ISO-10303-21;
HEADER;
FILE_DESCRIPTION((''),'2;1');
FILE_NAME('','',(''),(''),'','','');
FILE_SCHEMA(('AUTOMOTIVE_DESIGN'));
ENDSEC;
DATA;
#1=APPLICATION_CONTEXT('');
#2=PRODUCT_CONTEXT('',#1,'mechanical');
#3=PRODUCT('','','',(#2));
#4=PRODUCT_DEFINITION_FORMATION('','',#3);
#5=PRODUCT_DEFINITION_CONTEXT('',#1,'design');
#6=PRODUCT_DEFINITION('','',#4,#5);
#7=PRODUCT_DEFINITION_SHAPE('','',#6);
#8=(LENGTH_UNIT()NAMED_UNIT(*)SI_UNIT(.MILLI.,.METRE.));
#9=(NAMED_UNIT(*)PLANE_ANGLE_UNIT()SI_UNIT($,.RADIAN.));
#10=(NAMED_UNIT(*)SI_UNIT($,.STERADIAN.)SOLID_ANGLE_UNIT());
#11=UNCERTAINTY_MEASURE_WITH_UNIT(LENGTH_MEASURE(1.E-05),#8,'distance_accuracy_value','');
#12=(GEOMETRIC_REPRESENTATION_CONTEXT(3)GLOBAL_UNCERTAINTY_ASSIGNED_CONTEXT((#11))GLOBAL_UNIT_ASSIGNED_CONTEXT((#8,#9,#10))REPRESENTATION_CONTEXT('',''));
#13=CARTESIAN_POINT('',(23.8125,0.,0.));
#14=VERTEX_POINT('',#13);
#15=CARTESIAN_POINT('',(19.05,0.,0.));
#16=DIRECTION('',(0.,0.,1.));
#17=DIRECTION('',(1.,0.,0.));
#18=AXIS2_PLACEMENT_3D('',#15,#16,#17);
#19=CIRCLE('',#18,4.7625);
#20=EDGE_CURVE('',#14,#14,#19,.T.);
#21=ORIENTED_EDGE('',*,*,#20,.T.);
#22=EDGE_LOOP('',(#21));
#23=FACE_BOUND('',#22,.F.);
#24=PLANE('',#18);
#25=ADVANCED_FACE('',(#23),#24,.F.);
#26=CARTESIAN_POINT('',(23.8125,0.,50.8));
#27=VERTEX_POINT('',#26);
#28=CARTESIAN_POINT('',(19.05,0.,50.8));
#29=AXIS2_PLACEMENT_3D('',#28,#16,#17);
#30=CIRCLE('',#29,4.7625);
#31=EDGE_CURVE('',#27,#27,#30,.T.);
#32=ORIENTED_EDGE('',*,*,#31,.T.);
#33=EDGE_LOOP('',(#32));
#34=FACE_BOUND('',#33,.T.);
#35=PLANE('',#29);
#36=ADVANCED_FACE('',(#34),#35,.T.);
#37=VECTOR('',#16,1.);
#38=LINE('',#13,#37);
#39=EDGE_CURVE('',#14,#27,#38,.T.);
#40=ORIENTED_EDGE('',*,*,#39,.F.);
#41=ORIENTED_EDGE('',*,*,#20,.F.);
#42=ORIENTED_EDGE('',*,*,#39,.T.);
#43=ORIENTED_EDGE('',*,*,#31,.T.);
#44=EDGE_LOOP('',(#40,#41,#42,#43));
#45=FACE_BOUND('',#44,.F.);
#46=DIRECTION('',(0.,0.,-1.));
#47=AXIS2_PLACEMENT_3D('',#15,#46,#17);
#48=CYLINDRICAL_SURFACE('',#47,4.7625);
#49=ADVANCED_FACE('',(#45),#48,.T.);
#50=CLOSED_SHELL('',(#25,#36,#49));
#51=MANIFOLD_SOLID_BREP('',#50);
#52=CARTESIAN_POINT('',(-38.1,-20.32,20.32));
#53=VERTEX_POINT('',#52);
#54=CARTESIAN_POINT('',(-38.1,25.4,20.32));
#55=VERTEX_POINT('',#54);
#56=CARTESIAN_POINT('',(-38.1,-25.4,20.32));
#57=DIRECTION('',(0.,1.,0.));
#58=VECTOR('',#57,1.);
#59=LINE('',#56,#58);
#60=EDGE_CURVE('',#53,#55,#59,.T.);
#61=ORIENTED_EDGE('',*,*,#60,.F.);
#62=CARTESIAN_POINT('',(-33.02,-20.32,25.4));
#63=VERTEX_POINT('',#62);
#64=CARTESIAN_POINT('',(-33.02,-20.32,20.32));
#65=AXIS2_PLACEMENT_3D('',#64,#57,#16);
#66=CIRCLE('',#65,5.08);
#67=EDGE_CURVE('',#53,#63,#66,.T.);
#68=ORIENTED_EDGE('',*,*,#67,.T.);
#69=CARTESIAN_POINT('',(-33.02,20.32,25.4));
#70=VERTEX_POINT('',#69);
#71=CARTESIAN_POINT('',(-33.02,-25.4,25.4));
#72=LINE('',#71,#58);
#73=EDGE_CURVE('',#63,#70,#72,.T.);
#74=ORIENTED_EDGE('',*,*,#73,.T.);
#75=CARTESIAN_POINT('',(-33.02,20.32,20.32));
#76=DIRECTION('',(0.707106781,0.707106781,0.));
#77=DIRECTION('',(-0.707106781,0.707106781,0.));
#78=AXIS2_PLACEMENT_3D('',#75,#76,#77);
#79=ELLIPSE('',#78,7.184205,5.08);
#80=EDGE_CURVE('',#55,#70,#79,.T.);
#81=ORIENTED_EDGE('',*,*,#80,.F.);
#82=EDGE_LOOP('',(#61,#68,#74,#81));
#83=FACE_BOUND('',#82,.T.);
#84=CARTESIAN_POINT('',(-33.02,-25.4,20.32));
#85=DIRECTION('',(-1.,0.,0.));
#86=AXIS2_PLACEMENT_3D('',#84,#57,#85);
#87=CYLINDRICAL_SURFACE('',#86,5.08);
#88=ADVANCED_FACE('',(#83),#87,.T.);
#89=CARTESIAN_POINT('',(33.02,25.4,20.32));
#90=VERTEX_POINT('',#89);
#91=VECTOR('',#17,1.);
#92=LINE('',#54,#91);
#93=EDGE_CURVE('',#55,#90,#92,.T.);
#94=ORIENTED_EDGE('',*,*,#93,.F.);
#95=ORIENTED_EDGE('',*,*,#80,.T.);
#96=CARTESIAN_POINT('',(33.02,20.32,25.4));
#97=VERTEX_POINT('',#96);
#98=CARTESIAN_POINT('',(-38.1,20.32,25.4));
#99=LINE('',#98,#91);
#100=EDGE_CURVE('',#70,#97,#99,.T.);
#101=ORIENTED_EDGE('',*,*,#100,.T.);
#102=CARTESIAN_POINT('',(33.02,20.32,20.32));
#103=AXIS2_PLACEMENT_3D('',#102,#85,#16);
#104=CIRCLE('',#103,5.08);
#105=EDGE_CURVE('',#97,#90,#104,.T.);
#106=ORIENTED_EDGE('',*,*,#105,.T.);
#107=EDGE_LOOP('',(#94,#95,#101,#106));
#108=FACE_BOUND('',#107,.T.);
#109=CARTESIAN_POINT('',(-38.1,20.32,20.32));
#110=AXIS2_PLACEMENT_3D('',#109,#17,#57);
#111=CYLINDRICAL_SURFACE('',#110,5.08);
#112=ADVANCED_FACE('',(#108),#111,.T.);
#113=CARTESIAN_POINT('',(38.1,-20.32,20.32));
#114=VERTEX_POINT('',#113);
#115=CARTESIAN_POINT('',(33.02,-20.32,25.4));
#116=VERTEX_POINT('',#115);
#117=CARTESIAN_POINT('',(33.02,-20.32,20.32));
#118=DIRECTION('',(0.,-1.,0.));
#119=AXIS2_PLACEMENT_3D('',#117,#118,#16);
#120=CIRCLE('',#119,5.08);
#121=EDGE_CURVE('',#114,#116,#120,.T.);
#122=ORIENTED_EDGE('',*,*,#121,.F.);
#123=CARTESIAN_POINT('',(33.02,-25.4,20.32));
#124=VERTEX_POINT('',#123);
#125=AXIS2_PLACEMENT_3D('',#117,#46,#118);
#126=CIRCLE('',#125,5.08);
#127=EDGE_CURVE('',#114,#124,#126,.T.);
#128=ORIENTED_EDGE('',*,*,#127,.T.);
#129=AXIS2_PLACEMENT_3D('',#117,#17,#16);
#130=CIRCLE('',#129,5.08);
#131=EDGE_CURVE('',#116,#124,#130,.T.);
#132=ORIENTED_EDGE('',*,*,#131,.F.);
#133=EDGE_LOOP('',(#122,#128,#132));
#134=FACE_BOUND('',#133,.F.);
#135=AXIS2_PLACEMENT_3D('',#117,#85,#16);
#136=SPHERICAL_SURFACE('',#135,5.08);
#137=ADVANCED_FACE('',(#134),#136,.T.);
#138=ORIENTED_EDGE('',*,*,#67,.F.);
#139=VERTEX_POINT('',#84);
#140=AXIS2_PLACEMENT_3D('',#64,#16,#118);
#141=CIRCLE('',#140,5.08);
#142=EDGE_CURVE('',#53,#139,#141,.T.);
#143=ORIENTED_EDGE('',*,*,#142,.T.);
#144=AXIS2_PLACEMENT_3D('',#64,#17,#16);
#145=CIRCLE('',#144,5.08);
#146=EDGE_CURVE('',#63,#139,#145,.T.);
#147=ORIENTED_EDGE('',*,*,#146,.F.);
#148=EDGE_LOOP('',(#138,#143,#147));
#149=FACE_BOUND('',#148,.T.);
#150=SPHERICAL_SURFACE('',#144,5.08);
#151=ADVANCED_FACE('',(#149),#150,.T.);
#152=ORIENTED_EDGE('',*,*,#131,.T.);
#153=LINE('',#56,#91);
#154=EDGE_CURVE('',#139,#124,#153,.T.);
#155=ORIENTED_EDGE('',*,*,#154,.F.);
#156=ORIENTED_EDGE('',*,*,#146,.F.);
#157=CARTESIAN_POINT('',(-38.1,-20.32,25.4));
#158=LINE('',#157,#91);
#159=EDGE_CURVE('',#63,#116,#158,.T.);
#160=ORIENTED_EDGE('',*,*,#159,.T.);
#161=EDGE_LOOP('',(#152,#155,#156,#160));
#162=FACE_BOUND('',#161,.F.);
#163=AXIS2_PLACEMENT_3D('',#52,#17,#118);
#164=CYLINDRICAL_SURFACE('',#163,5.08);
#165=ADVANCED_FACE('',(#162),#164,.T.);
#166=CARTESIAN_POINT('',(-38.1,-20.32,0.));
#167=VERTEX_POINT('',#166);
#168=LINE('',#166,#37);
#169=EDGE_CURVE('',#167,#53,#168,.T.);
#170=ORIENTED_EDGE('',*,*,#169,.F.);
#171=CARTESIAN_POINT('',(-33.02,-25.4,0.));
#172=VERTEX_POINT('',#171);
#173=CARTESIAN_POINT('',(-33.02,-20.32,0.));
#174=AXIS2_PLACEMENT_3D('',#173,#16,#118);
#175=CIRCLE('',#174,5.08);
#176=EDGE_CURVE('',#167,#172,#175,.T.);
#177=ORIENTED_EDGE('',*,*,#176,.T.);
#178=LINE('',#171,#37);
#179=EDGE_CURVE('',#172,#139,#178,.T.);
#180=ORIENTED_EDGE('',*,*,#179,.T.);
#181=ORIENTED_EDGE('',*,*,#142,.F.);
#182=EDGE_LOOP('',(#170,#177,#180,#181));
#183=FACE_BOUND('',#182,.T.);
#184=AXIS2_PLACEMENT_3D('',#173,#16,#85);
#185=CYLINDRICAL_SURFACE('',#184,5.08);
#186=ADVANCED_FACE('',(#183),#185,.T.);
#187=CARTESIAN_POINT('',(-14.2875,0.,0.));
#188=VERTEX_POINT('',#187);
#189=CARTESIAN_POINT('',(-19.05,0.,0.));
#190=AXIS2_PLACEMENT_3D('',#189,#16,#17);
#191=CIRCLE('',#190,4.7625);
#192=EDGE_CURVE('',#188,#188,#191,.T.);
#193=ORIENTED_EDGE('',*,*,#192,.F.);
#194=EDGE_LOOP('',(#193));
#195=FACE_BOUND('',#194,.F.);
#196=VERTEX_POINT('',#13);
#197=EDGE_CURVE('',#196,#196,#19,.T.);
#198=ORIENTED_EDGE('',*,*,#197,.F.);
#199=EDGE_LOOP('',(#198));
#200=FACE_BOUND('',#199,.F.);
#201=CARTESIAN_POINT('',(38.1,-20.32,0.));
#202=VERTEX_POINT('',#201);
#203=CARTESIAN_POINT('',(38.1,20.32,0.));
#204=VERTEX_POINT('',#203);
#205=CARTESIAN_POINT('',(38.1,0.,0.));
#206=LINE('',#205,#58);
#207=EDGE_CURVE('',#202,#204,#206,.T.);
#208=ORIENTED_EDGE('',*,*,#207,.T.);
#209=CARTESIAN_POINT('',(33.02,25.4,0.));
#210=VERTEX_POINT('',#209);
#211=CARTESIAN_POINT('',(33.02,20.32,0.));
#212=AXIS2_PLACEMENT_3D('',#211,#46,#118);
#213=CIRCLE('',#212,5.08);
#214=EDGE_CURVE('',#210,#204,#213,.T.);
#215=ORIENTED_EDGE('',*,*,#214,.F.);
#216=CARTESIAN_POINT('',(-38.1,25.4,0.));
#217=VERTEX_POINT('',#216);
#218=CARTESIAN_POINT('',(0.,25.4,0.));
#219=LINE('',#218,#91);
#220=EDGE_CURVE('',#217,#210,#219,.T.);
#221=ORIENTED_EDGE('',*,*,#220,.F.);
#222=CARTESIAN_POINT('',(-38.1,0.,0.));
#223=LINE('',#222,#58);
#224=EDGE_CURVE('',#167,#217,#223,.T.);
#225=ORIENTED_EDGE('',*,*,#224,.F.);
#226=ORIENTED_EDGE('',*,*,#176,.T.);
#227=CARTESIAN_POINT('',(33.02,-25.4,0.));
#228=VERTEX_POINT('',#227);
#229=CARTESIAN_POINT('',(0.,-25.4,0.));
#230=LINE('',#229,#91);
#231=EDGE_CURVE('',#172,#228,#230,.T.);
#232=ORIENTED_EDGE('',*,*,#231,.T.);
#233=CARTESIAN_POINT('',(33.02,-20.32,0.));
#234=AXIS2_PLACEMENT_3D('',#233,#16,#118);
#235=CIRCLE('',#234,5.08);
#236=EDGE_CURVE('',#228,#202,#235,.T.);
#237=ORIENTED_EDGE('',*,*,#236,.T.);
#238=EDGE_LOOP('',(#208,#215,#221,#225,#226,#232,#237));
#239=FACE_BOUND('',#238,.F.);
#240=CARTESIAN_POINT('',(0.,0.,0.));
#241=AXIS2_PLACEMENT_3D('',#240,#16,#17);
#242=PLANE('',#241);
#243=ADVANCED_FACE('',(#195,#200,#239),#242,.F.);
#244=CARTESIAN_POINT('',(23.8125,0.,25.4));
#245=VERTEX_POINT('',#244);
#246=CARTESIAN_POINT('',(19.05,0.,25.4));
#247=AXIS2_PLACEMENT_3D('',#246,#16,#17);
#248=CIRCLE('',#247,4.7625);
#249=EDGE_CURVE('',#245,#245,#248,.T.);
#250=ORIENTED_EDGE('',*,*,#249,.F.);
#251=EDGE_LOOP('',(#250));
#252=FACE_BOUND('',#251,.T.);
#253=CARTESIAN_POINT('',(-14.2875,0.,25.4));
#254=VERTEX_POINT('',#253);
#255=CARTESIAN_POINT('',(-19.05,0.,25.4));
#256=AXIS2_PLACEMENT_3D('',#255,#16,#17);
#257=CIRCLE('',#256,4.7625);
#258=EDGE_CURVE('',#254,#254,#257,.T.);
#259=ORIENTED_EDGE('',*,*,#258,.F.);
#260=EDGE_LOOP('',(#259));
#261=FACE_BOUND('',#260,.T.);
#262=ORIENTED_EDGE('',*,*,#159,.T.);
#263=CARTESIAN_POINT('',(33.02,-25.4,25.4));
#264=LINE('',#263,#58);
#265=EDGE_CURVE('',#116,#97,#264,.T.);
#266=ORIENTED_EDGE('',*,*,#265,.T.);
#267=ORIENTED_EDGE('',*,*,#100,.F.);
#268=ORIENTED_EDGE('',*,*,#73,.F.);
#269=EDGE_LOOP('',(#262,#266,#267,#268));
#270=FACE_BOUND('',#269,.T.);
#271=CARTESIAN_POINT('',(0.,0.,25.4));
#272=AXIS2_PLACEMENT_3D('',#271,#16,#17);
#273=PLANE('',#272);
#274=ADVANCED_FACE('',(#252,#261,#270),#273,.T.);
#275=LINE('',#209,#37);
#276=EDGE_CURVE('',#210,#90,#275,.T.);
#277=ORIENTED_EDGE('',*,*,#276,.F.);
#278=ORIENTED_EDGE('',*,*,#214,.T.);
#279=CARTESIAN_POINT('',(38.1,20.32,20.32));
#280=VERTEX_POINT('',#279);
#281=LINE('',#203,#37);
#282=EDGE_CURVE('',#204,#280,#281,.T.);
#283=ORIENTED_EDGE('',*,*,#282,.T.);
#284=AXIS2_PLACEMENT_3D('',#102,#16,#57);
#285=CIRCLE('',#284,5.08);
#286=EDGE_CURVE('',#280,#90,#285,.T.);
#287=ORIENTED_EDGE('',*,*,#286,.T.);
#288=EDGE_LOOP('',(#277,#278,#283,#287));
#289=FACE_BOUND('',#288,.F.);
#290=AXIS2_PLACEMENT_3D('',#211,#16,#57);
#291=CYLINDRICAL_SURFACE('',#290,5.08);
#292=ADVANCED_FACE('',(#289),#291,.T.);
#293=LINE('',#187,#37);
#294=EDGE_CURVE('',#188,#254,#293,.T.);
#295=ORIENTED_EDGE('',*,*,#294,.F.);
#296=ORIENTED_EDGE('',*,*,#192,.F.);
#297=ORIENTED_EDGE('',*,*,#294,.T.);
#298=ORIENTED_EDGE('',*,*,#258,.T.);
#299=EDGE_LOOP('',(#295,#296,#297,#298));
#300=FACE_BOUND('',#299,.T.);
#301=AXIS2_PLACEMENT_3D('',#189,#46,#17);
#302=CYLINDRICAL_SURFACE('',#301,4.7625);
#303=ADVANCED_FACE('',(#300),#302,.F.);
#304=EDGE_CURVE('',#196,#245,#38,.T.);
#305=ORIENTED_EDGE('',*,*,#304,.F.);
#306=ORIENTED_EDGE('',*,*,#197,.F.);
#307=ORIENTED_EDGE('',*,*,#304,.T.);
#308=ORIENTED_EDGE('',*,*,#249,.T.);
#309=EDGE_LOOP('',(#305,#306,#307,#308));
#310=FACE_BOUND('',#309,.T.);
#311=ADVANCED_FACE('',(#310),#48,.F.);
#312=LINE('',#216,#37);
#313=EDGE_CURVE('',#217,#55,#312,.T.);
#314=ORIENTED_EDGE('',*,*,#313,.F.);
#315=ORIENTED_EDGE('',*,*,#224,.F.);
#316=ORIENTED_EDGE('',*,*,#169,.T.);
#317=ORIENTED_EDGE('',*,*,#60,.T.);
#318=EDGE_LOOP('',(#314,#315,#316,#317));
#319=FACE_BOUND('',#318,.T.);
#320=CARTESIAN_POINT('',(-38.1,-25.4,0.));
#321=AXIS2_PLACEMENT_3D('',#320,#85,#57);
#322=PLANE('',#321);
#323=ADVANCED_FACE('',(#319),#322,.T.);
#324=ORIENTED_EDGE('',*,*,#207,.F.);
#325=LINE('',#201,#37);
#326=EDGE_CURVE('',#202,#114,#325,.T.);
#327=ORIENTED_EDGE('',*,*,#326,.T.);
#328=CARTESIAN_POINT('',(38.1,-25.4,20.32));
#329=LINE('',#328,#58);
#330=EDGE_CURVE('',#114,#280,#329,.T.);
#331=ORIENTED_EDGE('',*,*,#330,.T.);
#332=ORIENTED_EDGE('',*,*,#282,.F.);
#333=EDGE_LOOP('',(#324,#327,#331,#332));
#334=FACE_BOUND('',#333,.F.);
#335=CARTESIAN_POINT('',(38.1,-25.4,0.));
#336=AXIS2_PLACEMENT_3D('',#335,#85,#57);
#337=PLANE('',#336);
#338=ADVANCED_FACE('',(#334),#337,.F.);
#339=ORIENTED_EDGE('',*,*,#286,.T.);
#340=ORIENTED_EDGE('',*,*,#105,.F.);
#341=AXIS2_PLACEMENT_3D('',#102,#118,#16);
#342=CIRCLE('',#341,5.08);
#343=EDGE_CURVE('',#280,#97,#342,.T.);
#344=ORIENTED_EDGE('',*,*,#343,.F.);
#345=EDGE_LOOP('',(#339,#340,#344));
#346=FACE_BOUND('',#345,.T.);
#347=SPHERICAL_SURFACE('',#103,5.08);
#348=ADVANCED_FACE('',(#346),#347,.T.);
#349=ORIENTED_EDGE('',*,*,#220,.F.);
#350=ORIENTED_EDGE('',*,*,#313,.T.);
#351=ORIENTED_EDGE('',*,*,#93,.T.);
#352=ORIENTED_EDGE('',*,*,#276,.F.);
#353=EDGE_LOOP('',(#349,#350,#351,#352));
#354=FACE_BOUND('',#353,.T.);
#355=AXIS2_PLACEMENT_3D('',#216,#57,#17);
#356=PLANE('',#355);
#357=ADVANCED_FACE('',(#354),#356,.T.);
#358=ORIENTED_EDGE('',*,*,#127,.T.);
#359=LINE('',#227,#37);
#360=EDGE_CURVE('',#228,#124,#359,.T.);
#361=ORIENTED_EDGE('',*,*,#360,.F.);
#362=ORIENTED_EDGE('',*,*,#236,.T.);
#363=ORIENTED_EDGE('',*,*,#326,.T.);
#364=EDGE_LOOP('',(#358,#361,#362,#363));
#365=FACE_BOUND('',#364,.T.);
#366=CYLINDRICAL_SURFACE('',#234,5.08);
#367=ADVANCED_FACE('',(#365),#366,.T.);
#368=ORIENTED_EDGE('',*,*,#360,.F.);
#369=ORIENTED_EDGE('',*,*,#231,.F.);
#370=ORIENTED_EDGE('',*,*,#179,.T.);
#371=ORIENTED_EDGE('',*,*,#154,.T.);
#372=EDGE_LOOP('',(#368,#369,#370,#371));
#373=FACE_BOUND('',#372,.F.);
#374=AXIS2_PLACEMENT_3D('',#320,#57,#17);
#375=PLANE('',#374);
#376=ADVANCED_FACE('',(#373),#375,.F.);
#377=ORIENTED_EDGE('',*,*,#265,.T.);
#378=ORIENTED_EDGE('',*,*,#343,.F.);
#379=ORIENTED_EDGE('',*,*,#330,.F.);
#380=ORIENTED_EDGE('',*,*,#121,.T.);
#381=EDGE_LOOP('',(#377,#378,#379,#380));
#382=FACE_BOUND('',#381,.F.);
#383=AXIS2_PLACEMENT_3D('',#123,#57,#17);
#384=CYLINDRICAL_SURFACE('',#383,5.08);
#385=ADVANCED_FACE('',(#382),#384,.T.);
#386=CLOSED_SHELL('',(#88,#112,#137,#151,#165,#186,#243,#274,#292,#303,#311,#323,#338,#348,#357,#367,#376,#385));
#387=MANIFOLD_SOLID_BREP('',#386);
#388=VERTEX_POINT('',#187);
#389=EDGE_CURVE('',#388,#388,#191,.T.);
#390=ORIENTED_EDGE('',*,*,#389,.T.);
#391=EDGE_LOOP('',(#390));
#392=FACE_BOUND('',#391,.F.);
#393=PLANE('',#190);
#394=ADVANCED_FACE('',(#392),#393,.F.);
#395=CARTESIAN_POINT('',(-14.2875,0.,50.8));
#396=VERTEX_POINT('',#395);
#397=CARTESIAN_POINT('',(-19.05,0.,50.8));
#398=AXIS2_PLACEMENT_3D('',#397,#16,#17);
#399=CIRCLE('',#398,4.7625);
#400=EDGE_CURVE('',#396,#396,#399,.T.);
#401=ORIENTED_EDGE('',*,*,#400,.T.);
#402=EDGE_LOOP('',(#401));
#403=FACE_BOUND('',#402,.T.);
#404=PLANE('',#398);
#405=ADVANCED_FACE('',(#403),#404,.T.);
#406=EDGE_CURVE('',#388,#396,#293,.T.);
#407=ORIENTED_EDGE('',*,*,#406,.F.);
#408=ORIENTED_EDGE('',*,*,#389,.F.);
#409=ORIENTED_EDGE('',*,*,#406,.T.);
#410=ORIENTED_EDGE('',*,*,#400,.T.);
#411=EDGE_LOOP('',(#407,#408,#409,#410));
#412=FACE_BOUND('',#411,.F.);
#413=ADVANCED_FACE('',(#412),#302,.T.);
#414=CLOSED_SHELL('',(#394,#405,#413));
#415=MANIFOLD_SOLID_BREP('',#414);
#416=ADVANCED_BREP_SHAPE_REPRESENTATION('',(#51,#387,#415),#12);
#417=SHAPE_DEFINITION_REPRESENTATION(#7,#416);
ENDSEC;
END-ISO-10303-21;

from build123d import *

# Parameters (mm, degrees)
F0_W     = 76.2
F0_H     = 50.8
F0_R     = 4.7625
F1_DEPTH = 25.4
F2_DEPTH = 50.8
F3_R     = 5.08


with BuildPart() as f1:
    # F0 (on Top) → F1 (new body)
    with BuildSketch(Plane.XY):
        Rectangle(F0_W, F0_H)
        with Locations((-19.05, 0)):
            Circle(F0_R, mode=Mode.SUBTRACT)
        with Locations((19.05, 0)):
            Circle(F0_R, mode=Mode.SUBTRACT)
    extrude(amount=F1_DEPTH)

    # F3
    f3_edges = [f1.edges().sort_by_distance(p)[0] for p in [
        (0, -25.4, 25.4),
        (-38.1, 0, 25.4),
        (0, 25.4, 25.4),
        (38.1, 0, 25.4),
        (38.1, -25.4, 12.7),
        (-38.1, -25.4, 12.7),
        (38.1, 25.4, 12.7),
    ]]
    fillet(f3_edges, radius=F3_R)


with BuildPart() as f2:
    # F0 (on Top) → F2 (new body)
    with BuildSketch(Plane.XY):
        with Locations((-19.05, 0)):
            Circle(F0_R)
        with Locations((19.05, 0)):
            Circle(F0_R)
    extrude(amount=F2_DEPTH)


solid = Compound([f1.part, f2.part])
